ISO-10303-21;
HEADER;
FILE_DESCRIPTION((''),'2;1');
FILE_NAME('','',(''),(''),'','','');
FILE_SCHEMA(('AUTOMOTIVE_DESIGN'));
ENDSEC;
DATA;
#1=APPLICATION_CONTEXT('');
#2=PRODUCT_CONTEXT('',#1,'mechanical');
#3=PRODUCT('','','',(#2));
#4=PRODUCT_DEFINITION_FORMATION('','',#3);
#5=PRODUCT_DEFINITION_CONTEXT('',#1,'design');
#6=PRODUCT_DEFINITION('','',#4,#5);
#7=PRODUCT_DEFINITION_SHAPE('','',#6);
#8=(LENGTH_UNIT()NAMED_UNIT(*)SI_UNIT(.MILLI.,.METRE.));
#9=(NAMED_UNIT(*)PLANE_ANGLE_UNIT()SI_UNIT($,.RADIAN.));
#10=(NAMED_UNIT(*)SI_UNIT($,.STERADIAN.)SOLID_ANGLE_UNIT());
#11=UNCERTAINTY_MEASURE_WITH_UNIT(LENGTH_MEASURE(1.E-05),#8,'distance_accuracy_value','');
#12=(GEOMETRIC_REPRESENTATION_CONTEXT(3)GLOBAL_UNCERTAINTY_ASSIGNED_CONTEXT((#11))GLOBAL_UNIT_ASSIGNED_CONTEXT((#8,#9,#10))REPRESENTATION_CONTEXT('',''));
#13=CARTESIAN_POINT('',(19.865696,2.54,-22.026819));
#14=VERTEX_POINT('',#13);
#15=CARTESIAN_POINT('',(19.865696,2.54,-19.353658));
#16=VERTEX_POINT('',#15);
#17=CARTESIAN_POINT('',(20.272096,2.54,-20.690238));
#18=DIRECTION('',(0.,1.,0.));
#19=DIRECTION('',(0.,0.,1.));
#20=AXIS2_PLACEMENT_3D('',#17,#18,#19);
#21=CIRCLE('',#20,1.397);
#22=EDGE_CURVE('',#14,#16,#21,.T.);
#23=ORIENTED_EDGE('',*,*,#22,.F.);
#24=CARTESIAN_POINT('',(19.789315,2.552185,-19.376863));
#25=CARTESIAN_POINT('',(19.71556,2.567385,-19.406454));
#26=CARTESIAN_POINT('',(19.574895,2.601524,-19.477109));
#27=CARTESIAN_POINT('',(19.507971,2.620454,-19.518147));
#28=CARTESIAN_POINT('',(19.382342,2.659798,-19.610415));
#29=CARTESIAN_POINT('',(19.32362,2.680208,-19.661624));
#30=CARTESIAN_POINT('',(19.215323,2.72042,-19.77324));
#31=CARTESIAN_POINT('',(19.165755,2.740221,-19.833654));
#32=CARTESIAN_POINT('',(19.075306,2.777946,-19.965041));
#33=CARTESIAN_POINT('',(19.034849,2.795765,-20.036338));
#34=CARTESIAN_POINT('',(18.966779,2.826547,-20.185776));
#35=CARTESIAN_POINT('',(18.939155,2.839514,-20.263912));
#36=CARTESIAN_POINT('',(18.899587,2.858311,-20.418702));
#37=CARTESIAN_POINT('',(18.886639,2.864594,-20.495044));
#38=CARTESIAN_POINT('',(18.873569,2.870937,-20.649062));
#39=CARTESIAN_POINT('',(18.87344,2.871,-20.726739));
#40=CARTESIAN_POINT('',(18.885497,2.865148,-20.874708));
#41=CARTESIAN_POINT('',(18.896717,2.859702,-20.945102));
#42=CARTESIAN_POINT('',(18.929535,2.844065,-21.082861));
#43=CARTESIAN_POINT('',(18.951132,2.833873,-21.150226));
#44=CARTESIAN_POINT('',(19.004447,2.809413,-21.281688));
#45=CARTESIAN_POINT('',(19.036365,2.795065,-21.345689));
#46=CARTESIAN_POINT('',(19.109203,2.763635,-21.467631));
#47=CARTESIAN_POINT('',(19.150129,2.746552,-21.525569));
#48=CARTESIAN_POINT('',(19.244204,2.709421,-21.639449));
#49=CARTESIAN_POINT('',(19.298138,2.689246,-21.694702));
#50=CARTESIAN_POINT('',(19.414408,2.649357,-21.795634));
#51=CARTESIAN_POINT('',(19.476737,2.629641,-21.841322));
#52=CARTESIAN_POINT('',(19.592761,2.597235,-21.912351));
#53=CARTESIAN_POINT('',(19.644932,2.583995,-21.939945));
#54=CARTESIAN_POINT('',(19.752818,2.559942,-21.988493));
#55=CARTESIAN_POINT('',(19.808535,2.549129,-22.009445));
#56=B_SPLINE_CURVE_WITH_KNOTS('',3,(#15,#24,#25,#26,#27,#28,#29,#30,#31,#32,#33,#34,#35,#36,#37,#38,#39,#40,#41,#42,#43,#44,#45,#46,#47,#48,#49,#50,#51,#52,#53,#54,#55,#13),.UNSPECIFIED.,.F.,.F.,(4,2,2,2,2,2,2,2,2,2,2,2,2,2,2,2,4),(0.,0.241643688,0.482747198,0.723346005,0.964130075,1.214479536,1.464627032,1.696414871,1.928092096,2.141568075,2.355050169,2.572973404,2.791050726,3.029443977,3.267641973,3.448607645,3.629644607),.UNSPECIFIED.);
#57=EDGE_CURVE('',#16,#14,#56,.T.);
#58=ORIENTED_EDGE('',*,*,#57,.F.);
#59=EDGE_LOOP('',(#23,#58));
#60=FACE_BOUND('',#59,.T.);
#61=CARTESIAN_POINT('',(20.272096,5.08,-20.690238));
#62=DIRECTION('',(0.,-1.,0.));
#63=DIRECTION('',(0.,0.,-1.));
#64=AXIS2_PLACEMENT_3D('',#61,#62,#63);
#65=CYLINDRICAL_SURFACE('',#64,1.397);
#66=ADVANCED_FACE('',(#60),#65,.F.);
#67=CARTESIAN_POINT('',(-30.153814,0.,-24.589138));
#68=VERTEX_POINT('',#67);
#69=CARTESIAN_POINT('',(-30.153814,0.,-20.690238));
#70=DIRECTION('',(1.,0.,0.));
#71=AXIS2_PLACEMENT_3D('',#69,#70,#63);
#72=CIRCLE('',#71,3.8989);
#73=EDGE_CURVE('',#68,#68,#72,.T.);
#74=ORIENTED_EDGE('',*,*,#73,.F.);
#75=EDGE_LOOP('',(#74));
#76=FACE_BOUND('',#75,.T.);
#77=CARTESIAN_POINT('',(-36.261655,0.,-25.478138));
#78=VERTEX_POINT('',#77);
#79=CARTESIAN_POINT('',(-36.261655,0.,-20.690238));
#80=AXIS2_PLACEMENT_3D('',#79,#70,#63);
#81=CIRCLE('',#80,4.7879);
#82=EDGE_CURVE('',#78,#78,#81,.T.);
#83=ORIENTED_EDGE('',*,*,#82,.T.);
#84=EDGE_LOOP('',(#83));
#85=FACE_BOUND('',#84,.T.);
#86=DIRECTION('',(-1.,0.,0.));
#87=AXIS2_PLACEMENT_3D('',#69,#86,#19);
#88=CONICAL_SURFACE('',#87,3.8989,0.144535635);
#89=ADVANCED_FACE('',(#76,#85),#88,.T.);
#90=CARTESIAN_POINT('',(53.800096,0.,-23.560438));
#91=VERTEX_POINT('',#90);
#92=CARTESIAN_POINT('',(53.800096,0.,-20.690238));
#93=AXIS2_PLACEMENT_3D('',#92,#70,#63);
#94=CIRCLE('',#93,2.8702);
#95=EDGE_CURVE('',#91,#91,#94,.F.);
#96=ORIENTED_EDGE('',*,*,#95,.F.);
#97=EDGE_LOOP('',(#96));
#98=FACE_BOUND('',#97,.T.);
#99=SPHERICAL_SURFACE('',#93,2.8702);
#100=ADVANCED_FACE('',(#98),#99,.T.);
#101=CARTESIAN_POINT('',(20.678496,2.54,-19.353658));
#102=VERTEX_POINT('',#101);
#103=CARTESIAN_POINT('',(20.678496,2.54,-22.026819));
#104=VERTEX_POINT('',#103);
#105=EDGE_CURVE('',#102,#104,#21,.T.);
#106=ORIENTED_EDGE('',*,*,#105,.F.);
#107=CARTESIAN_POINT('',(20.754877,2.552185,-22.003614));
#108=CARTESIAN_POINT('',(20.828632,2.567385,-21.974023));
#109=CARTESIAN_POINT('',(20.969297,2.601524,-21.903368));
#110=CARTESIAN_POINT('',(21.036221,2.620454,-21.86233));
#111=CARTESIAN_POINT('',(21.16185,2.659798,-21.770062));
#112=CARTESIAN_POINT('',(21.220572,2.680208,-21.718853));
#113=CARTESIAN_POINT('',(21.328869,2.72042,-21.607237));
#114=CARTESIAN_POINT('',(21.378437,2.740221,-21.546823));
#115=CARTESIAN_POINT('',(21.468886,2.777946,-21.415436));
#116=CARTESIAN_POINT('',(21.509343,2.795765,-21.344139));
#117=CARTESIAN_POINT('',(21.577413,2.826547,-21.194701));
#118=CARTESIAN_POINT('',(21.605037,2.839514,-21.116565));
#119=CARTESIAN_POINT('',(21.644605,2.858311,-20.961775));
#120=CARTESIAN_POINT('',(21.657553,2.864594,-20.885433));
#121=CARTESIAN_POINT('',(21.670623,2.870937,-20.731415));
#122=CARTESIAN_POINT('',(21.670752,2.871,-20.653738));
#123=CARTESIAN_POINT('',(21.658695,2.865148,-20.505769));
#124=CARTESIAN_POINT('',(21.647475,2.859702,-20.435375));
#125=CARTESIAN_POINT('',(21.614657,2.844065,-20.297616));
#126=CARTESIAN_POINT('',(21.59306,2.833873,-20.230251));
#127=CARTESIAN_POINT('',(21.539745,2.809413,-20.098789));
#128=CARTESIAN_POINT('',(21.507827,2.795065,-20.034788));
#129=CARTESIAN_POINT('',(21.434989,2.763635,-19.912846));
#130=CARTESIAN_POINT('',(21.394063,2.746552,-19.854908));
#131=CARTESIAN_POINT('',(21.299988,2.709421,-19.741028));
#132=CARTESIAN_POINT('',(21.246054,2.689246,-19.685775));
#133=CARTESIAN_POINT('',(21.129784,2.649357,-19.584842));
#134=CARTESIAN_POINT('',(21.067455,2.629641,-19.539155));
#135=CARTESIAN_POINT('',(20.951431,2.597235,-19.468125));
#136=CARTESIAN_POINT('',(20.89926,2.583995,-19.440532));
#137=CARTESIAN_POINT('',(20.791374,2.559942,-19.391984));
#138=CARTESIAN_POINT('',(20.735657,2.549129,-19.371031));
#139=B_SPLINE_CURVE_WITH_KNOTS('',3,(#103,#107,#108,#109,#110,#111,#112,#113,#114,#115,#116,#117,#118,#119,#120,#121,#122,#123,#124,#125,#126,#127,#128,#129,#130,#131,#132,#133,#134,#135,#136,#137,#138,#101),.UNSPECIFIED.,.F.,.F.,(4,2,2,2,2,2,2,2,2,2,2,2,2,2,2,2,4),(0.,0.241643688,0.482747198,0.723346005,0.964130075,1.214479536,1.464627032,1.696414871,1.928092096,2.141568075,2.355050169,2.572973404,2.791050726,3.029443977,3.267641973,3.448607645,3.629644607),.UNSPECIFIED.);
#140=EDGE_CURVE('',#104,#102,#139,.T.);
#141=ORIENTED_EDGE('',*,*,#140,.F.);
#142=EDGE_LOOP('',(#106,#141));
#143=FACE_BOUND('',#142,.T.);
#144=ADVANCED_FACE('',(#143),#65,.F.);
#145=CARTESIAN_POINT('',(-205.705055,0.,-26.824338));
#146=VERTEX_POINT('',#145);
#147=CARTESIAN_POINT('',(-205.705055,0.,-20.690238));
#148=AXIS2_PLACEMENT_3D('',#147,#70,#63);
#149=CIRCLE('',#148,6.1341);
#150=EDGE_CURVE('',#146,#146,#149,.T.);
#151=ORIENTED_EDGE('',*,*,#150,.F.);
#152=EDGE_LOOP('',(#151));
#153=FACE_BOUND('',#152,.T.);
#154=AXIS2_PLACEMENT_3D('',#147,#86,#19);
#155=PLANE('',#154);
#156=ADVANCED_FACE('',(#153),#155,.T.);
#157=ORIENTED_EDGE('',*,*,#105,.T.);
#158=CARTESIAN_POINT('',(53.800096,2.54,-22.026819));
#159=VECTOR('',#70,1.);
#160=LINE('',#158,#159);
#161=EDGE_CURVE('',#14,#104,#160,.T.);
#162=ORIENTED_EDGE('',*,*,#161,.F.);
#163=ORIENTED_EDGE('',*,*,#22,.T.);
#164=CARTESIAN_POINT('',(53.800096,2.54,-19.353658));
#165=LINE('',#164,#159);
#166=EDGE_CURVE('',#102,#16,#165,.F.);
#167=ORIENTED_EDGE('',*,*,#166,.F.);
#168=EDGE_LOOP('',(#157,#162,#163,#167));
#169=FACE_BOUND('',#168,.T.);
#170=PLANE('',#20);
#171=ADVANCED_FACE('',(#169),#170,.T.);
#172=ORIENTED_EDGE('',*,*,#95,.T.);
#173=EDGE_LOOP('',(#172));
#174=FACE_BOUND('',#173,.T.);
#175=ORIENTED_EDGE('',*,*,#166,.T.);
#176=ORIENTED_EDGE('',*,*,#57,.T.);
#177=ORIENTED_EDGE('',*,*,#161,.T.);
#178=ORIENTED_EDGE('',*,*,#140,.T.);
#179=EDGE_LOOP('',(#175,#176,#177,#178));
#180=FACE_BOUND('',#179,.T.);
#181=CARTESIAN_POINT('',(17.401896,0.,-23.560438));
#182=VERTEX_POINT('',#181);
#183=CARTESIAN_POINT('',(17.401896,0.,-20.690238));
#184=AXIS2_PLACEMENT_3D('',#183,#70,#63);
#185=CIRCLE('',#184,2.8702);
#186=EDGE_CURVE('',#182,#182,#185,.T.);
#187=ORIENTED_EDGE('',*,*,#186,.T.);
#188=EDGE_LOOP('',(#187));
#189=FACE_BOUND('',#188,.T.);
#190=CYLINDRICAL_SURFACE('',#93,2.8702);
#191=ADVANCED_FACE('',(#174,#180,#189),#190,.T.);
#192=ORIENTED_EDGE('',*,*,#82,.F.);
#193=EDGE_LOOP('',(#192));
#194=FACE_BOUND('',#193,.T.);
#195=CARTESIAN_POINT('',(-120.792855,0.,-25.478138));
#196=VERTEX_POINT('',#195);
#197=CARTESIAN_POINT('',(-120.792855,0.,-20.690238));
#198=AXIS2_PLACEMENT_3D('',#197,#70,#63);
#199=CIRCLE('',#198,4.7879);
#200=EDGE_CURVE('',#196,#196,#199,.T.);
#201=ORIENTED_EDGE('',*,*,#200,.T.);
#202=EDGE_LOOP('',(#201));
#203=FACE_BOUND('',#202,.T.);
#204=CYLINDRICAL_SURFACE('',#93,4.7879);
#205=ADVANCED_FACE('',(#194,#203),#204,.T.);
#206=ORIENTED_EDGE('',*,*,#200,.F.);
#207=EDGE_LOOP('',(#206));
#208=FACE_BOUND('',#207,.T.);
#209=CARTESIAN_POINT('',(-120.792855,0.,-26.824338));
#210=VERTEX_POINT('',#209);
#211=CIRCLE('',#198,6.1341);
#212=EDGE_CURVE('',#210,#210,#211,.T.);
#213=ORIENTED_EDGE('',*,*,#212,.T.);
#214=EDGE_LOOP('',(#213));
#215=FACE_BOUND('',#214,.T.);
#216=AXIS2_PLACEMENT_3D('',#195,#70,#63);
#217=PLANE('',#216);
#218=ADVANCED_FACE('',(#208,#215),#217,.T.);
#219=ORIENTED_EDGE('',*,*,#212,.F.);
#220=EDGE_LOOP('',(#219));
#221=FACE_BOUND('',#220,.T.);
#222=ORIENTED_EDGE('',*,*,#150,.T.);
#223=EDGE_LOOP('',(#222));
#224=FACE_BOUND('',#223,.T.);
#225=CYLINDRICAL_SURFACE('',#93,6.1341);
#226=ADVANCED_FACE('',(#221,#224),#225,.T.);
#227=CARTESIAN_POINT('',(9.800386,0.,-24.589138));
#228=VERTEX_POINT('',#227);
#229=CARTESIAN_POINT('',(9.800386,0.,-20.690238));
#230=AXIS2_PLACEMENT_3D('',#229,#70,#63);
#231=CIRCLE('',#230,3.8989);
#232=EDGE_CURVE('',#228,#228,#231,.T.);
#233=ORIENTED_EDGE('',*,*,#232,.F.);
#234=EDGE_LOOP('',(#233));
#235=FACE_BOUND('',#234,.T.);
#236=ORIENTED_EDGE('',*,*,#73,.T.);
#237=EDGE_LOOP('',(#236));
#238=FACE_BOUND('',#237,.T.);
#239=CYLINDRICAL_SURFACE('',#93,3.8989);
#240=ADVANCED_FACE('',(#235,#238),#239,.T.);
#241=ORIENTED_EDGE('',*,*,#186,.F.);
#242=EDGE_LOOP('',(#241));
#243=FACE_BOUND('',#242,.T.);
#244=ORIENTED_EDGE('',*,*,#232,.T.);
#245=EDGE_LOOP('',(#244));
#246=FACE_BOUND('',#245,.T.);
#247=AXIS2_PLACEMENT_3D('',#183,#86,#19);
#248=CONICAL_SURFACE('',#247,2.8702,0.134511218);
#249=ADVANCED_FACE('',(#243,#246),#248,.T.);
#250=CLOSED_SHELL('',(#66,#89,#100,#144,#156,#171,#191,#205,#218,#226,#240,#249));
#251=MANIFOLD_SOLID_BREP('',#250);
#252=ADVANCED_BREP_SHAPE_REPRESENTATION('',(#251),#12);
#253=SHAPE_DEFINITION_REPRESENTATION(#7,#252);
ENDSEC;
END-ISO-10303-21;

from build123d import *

# Parameters (mm, degrees)
BOSS_EXTRUDE1_START = 2.8702
SKETCH3_R           = 2.8702
BOSS_EXTRUDE1_DEPTH = 2.8702
FILLET1_R           = 2.8702
CUT_EXTRUDE1_START  = 2.54
SKETCH4_R           = 1.397
CUT_EXTRUDE1_DEPTH  = 2.54


with BuildPart() as part:
    # Sketch1 → Revolve1 (revolve)
    with BuildSketch(Plane(origin=(0, 0, 0), x_dir=(1, 0, 0), z_dir=(0, 1, 0))):
        Polygon((-36.261655476, 25.478138479), (-30.153813644, 24.589138479), (9.800386356, 24.589138479), (17.401896005, 23.560438479), (53.800096005, 23.560438479), (53.800096005, 20.690238479), (-205.705055476, 20.690238479), (-205.705055476, 26.824338479), (-120.792855476, 26.824338479), (-120.792855476, 25.478138479), align=None)
    revolve(axis=Axis((53.800096005, 0, -20.690238479), (-1, 0, 0)))

    # Sketch3 → Boss-Extrude1 (add)
    with BuildSketch(Plane(origin=(53.800096005, 0, 0), x_dir=(0, 0, -1), z_dir=(1, 0, 0)).offset(BOSS_EXTRUDE1_START)):
        with Locations((20.690238479, 0)):
            Circle(SKETCH3_R)
    extrude(amount=-BOSS_EXTRUDE1_DEPTH)

    # Fillet1
    fillet1_edges = [part.edges().sort_by_distance(p)[0] for p in [
        (56.670296005, 0, -17.820038479),
    ]]
    fillet(fillet1_edges, radius=FILLET1_R)

    # Sketch4 → Cut-Extrude1 (cut)
    with BuildSketch(Plane(origin=(0, 0, 0), x_dir=(1, 0, 0), z_dir=(0, 1, 0)).offset(CUT_EXTRUDE1_START)):
        with Locations((20.272096005, 20.690238479)):
            Circle(SKETCH4_R)
    extrude(amount=CUT_EXTRUDE1_DEPTH, mode=Mode.SUBTRACT)


solid = part.part
